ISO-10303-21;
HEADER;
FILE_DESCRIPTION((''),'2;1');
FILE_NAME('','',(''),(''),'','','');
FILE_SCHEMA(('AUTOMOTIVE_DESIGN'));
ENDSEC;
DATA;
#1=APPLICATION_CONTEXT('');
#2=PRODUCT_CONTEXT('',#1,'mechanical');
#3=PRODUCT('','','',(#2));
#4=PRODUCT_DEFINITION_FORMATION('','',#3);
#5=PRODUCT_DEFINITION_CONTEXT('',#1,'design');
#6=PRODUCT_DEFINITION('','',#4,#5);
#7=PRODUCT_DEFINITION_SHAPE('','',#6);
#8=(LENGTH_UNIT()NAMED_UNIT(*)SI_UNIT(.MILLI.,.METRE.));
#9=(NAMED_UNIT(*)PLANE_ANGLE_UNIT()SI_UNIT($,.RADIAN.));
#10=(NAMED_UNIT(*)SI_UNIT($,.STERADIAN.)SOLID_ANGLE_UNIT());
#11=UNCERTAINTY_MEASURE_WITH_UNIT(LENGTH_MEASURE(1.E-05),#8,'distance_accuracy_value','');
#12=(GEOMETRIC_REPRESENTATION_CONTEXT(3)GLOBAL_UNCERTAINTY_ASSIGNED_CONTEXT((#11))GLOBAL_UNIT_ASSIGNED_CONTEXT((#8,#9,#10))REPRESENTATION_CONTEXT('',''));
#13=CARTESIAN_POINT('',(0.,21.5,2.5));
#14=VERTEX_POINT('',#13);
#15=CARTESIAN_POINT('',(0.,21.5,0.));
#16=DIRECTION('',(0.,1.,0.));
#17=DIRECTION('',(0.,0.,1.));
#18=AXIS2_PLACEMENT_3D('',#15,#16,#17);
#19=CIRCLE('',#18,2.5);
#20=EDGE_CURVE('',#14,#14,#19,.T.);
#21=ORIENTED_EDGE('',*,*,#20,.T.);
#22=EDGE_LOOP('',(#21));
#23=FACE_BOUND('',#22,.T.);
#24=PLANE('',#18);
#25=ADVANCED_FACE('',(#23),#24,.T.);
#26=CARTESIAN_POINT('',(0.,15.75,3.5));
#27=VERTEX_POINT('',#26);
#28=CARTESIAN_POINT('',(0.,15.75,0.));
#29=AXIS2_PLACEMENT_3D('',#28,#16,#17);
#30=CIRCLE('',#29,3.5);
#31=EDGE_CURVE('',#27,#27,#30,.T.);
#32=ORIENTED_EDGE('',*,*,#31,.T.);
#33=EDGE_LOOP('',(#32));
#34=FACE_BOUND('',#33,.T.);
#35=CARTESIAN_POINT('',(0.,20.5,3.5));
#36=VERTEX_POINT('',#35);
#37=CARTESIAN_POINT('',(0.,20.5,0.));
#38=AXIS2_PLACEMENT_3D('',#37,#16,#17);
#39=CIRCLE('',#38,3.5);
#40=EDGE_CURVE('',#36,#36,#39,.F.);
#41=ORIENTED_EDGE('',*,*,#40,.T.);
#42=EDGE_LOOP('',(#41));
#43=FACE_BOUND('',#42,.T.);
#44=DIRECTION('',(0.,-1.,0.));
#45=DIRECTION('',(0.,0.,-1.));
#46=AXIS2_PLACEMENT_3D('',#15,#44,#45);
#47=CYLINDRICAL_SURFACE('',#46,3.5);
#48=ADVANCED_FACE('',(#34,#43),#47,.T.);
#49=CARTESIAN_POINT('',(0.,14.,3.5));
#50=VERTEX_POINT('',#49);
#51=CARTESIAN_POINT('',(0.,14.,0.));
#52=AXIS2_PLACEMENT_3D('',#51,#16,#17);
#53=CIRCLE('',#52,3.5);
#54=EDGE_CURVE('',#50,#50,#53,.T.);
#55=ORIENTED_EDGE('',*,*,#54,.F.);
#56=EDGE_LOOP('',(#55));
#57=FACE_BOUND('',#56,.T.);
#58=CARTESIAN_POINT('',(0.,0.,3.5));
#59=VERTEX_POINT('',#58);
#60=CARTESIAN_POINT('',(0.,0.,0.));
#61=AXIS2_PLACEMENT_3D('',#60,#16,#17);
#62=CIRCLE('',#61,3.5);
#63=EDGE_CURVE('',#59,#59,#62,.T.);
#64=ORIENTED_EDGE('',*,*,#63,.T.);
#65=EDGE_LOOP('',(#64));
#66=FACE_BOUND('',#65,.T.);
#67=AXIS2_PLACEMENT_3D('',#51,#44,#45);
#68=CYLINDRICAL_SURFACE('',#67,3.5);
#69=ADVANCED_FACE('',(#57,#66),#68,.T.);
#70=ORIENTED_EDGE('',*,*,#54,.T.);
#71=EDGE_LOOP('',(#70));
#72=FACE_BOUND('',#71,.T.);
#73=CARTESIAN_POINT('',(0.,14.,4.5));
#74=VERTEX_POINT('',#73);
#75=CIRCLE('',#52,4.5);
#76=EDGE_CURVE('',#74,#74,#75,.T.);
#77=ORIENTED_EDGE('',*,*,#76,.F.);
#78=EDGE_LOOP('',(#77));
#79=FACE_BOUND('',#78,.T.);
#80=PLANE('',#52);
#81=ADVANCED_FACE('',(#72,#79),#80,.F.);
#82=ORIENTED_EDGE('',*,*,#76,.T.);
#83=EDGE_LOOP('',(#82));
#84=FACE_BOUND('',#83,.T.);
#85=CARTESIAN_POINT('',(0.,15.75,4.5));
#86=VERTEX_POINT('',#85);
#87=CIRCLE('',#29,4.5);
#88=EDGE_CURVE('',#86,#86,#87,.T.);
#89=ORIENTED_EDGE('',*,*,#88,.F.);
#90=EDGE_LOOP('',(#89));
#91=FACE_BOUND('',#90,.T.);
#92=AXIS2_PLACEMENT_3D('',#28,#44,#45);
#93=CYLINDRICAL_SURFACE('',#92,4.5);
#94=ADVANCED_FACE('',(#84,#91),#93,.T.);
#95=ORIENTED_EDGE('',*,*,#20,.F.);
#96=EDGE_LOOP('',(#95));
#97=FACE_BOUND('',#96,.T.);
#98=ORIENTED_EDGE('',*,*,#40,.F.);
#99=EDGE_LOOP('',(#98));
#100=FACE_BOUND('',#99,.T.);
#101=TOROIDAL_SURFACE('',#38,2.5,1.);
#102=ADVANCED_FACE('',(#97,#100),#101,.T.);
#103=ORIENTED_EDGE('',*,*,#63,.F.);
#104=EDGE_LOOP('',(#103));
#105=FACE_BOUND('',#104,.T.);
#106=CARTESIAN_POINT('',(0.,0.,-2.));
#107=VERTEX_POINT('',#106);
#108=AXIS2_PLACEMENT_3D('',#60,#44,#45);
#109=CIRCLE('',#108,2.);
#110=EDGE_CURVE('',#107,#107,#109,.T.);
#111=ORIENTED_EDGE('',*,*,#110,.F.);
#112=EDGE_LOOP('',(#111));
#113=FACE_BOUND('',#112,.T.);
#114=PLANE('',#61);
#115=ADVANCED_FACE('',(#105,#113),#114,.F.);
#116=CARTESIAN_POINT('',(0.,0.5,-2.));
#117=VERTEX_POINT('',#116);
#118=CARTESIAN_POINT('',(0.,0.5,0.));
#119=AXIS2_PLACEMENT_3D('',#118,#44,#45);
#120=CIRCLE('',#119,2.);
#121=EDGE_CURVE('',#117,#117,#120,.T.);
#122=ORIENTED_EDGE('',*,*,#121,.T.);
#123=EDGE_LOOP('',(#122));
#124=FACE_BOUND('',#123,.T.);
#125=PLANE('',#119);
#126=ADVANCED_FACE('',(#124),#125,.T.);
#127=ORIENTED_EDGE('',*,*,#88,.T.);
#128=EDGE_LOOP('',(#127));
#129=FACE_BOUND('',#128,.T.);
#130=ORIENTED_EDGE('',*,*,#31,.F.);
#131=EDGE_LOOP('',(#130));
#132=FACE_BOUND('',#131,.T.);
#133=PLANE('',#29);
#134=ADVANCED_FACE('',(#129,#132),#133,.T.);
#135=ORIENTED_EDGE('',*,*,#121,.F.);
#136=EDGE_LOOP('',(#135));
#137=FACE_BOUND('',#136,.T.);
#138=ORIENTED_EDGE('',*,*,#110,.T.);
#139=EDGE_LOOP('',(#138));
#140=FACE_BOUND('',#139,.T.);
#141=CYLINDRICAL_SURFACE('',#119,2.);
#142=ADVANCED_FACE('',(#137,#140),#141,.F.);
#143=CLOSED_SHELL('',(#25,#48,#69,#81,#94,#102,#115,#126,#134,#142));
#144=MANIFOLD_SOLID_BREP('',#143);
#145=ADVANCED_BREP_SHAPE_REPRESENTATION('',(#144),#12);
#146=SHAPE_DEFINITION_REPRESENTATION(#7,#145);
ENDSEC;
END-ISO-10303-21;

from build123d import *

# Parameters (mm, degrees)
SKETCH1_R           = 3.5
BOSS_EXTRUDE1_DEPTH = 14
BOSS_EXTRUDE2_START = 14
SKETCH1_4_R         = 4.5
BOSS_EXTRUDE2_DEPTH = 1.75
BOSS_EXTRUDE3_START = 15.75
SKETCH1_5_R         = 3.5
BOSS_EXTRUDE3_DEPTH = 5.75
FILLET1_R           = 1
SKETCH2_R           = 2
CUT_EXTRUDE1_DEPTH  = 0.5


with BuildPart() as part:
    # Sketch1 → Boss-Extrude1 (new body)
    with BuildSketch(Plane(origin=(0, 0, 0), x_dir=(1, 0, 0), z_dir=(0, 1, 0))):
        with Locations(Location((0, 0, 0), (0, 0, 270))):
            Circle(SKETCH1_R)
    extrude(amount=BOSS_EXTRUDE1_DEPTH)

    # Sketch1<4> → Boss-Extrude2 (add)
    with BuildSketch(Plane(origin=(0, 0, 0), x_dir=(1, 0, 0), z_dir=(0, 1, 0)).offset(BOSS_EXTRUDE2_START)):
        with Locations(Location((0, 0, 0), (0, 0, 270))):
            Circle(SKETCH1_4_R)
    extrude(amount=BOSS_EXTRUDE2_DEPTH)

    # Sketch1<5> → Boss-Extrude3 (add)
    with BuildSketch(Plane(origin=(0, 0, 0), x_dir=(1, 0, 0), z_dir=(0, 1, 0)).offset(BOSS_EXTRUDE3_START)):
        with Locations(Location((0, 0, 0), (0, 0, 270))):
            Circle(SKETCH1_5_R)
    extrude(amount=BOSS_EXTRUDE3_DEPTH)

    # Fillet1
    fillet1_edges = [part.edges().sort_by_distance(p)[0] for p in [
        (0, 21.5, -3.5),
    ]]
    fillet(fillet1_edges, radius=FILLET1_R)

    # Sketch2 → Cut-Extrude1 (cut)
    with BuildSketch(Plane.XZ):
        with Locations(Location((0, 0, 0), (0, 0, 270))):
            Circle(SKETCH2_R)
    extrude(amount=-CUT_EXTRUDE1_DEPTH, mode=Mode.SUBTRACT)


solid = part.part
